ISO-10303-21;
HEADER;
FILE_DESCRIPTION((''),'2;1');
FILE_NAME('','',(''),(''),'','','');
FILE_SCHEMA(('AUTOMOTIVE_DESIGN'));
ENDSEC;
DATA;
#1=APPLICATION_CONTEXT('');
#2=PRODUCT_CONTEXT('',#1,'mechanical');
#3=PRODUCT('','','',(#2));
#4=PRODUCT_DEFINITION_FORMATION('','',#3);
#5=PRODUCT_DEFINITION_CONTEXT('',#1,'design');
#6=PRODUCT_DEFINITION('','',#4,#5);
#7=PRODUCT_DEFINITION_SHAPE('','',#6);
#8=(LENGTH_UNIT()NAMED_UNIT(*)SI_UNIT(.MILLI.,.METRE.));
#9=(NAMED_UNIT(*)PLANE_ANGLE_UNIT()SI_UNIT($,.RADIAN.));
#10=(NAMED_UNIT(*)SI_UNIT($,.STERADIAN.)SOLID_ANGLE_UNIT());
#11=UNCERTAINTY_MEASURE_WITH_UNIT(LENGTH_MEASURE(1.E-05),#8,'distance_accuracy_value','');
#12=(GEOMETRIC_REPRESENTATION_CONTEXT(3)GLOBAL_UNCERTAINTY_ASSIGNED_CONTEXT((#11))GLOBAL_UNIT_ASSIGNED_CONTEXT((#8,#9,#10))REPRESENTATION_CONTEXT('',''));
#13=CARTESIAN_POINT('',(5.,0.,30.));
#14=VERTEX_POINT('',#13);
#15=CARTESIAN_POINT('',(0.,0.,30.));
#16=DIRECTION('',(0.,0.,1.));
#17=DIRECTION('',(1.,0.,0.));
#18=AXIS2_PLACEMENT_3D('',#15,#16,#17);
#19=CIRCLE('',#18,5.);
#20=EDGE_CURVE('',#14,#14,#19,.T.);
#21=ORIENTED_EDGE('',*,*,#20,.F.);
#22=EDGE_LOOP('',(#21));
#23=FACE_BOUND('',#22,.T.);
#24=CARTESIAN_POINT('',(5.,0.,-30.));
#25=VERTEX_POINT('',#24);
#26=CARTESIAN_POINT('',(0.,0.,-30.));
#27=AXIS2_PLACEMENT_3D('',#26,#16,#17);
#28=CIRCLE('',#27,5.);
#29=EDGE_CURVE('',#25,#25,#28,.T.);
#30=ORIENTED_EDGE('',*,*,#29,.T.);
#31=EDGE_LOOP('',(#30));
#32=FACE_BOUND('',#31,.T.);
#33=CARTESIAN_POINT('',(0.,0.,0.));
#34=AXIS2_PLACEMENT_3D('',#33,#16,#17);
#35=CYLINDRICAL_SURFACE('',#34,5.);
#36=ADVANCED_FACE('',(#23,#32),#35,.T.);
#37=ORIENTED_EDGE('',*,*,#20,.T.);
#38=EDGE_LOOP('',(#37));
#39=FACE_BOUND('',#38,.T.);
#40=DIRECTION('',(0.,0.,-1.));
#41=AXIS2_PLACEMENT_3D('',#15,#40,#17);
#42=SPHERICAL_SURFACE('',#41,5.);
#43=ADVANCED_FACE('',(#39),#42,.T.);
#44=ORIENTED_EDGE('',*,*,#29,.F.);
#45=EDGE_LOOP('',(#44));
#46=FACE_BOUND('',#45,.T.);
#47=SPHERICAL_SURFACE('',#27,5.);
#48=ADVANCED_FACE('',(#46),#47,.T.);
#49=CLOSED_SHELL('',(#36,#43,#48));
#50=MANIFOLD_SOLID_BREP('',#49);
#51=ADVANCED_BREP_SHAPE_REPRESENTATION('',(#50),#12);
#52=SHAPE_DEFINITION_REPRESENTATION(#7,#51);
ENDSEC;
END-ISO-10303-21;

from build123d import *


with BuildPart() as part:
    # Sketch1 → Revolve1 (revolve)
    with BuildSketch(Plane(origin=(0, 0, 0), x_dir=(1, 0, 0), z_dir=(0, 1, 0))):
        with BuildLine():
            Line((0, 0), (0, 35))
            ThreePointArc((0, 35), (-3.535533906, 33.535533906), (-5, 30))
            Line((-5, 30), (-5, 0))
            Line((-5, 0), (0, 0))
        make_face()
    revolve1 = revolve(axis=Axis((0, 0, 0), (0, 0, -1)))

    # Mirror1: Revolve1 across plane
    add(revolve1.mirror(Plane.XY))


solid = part.part
